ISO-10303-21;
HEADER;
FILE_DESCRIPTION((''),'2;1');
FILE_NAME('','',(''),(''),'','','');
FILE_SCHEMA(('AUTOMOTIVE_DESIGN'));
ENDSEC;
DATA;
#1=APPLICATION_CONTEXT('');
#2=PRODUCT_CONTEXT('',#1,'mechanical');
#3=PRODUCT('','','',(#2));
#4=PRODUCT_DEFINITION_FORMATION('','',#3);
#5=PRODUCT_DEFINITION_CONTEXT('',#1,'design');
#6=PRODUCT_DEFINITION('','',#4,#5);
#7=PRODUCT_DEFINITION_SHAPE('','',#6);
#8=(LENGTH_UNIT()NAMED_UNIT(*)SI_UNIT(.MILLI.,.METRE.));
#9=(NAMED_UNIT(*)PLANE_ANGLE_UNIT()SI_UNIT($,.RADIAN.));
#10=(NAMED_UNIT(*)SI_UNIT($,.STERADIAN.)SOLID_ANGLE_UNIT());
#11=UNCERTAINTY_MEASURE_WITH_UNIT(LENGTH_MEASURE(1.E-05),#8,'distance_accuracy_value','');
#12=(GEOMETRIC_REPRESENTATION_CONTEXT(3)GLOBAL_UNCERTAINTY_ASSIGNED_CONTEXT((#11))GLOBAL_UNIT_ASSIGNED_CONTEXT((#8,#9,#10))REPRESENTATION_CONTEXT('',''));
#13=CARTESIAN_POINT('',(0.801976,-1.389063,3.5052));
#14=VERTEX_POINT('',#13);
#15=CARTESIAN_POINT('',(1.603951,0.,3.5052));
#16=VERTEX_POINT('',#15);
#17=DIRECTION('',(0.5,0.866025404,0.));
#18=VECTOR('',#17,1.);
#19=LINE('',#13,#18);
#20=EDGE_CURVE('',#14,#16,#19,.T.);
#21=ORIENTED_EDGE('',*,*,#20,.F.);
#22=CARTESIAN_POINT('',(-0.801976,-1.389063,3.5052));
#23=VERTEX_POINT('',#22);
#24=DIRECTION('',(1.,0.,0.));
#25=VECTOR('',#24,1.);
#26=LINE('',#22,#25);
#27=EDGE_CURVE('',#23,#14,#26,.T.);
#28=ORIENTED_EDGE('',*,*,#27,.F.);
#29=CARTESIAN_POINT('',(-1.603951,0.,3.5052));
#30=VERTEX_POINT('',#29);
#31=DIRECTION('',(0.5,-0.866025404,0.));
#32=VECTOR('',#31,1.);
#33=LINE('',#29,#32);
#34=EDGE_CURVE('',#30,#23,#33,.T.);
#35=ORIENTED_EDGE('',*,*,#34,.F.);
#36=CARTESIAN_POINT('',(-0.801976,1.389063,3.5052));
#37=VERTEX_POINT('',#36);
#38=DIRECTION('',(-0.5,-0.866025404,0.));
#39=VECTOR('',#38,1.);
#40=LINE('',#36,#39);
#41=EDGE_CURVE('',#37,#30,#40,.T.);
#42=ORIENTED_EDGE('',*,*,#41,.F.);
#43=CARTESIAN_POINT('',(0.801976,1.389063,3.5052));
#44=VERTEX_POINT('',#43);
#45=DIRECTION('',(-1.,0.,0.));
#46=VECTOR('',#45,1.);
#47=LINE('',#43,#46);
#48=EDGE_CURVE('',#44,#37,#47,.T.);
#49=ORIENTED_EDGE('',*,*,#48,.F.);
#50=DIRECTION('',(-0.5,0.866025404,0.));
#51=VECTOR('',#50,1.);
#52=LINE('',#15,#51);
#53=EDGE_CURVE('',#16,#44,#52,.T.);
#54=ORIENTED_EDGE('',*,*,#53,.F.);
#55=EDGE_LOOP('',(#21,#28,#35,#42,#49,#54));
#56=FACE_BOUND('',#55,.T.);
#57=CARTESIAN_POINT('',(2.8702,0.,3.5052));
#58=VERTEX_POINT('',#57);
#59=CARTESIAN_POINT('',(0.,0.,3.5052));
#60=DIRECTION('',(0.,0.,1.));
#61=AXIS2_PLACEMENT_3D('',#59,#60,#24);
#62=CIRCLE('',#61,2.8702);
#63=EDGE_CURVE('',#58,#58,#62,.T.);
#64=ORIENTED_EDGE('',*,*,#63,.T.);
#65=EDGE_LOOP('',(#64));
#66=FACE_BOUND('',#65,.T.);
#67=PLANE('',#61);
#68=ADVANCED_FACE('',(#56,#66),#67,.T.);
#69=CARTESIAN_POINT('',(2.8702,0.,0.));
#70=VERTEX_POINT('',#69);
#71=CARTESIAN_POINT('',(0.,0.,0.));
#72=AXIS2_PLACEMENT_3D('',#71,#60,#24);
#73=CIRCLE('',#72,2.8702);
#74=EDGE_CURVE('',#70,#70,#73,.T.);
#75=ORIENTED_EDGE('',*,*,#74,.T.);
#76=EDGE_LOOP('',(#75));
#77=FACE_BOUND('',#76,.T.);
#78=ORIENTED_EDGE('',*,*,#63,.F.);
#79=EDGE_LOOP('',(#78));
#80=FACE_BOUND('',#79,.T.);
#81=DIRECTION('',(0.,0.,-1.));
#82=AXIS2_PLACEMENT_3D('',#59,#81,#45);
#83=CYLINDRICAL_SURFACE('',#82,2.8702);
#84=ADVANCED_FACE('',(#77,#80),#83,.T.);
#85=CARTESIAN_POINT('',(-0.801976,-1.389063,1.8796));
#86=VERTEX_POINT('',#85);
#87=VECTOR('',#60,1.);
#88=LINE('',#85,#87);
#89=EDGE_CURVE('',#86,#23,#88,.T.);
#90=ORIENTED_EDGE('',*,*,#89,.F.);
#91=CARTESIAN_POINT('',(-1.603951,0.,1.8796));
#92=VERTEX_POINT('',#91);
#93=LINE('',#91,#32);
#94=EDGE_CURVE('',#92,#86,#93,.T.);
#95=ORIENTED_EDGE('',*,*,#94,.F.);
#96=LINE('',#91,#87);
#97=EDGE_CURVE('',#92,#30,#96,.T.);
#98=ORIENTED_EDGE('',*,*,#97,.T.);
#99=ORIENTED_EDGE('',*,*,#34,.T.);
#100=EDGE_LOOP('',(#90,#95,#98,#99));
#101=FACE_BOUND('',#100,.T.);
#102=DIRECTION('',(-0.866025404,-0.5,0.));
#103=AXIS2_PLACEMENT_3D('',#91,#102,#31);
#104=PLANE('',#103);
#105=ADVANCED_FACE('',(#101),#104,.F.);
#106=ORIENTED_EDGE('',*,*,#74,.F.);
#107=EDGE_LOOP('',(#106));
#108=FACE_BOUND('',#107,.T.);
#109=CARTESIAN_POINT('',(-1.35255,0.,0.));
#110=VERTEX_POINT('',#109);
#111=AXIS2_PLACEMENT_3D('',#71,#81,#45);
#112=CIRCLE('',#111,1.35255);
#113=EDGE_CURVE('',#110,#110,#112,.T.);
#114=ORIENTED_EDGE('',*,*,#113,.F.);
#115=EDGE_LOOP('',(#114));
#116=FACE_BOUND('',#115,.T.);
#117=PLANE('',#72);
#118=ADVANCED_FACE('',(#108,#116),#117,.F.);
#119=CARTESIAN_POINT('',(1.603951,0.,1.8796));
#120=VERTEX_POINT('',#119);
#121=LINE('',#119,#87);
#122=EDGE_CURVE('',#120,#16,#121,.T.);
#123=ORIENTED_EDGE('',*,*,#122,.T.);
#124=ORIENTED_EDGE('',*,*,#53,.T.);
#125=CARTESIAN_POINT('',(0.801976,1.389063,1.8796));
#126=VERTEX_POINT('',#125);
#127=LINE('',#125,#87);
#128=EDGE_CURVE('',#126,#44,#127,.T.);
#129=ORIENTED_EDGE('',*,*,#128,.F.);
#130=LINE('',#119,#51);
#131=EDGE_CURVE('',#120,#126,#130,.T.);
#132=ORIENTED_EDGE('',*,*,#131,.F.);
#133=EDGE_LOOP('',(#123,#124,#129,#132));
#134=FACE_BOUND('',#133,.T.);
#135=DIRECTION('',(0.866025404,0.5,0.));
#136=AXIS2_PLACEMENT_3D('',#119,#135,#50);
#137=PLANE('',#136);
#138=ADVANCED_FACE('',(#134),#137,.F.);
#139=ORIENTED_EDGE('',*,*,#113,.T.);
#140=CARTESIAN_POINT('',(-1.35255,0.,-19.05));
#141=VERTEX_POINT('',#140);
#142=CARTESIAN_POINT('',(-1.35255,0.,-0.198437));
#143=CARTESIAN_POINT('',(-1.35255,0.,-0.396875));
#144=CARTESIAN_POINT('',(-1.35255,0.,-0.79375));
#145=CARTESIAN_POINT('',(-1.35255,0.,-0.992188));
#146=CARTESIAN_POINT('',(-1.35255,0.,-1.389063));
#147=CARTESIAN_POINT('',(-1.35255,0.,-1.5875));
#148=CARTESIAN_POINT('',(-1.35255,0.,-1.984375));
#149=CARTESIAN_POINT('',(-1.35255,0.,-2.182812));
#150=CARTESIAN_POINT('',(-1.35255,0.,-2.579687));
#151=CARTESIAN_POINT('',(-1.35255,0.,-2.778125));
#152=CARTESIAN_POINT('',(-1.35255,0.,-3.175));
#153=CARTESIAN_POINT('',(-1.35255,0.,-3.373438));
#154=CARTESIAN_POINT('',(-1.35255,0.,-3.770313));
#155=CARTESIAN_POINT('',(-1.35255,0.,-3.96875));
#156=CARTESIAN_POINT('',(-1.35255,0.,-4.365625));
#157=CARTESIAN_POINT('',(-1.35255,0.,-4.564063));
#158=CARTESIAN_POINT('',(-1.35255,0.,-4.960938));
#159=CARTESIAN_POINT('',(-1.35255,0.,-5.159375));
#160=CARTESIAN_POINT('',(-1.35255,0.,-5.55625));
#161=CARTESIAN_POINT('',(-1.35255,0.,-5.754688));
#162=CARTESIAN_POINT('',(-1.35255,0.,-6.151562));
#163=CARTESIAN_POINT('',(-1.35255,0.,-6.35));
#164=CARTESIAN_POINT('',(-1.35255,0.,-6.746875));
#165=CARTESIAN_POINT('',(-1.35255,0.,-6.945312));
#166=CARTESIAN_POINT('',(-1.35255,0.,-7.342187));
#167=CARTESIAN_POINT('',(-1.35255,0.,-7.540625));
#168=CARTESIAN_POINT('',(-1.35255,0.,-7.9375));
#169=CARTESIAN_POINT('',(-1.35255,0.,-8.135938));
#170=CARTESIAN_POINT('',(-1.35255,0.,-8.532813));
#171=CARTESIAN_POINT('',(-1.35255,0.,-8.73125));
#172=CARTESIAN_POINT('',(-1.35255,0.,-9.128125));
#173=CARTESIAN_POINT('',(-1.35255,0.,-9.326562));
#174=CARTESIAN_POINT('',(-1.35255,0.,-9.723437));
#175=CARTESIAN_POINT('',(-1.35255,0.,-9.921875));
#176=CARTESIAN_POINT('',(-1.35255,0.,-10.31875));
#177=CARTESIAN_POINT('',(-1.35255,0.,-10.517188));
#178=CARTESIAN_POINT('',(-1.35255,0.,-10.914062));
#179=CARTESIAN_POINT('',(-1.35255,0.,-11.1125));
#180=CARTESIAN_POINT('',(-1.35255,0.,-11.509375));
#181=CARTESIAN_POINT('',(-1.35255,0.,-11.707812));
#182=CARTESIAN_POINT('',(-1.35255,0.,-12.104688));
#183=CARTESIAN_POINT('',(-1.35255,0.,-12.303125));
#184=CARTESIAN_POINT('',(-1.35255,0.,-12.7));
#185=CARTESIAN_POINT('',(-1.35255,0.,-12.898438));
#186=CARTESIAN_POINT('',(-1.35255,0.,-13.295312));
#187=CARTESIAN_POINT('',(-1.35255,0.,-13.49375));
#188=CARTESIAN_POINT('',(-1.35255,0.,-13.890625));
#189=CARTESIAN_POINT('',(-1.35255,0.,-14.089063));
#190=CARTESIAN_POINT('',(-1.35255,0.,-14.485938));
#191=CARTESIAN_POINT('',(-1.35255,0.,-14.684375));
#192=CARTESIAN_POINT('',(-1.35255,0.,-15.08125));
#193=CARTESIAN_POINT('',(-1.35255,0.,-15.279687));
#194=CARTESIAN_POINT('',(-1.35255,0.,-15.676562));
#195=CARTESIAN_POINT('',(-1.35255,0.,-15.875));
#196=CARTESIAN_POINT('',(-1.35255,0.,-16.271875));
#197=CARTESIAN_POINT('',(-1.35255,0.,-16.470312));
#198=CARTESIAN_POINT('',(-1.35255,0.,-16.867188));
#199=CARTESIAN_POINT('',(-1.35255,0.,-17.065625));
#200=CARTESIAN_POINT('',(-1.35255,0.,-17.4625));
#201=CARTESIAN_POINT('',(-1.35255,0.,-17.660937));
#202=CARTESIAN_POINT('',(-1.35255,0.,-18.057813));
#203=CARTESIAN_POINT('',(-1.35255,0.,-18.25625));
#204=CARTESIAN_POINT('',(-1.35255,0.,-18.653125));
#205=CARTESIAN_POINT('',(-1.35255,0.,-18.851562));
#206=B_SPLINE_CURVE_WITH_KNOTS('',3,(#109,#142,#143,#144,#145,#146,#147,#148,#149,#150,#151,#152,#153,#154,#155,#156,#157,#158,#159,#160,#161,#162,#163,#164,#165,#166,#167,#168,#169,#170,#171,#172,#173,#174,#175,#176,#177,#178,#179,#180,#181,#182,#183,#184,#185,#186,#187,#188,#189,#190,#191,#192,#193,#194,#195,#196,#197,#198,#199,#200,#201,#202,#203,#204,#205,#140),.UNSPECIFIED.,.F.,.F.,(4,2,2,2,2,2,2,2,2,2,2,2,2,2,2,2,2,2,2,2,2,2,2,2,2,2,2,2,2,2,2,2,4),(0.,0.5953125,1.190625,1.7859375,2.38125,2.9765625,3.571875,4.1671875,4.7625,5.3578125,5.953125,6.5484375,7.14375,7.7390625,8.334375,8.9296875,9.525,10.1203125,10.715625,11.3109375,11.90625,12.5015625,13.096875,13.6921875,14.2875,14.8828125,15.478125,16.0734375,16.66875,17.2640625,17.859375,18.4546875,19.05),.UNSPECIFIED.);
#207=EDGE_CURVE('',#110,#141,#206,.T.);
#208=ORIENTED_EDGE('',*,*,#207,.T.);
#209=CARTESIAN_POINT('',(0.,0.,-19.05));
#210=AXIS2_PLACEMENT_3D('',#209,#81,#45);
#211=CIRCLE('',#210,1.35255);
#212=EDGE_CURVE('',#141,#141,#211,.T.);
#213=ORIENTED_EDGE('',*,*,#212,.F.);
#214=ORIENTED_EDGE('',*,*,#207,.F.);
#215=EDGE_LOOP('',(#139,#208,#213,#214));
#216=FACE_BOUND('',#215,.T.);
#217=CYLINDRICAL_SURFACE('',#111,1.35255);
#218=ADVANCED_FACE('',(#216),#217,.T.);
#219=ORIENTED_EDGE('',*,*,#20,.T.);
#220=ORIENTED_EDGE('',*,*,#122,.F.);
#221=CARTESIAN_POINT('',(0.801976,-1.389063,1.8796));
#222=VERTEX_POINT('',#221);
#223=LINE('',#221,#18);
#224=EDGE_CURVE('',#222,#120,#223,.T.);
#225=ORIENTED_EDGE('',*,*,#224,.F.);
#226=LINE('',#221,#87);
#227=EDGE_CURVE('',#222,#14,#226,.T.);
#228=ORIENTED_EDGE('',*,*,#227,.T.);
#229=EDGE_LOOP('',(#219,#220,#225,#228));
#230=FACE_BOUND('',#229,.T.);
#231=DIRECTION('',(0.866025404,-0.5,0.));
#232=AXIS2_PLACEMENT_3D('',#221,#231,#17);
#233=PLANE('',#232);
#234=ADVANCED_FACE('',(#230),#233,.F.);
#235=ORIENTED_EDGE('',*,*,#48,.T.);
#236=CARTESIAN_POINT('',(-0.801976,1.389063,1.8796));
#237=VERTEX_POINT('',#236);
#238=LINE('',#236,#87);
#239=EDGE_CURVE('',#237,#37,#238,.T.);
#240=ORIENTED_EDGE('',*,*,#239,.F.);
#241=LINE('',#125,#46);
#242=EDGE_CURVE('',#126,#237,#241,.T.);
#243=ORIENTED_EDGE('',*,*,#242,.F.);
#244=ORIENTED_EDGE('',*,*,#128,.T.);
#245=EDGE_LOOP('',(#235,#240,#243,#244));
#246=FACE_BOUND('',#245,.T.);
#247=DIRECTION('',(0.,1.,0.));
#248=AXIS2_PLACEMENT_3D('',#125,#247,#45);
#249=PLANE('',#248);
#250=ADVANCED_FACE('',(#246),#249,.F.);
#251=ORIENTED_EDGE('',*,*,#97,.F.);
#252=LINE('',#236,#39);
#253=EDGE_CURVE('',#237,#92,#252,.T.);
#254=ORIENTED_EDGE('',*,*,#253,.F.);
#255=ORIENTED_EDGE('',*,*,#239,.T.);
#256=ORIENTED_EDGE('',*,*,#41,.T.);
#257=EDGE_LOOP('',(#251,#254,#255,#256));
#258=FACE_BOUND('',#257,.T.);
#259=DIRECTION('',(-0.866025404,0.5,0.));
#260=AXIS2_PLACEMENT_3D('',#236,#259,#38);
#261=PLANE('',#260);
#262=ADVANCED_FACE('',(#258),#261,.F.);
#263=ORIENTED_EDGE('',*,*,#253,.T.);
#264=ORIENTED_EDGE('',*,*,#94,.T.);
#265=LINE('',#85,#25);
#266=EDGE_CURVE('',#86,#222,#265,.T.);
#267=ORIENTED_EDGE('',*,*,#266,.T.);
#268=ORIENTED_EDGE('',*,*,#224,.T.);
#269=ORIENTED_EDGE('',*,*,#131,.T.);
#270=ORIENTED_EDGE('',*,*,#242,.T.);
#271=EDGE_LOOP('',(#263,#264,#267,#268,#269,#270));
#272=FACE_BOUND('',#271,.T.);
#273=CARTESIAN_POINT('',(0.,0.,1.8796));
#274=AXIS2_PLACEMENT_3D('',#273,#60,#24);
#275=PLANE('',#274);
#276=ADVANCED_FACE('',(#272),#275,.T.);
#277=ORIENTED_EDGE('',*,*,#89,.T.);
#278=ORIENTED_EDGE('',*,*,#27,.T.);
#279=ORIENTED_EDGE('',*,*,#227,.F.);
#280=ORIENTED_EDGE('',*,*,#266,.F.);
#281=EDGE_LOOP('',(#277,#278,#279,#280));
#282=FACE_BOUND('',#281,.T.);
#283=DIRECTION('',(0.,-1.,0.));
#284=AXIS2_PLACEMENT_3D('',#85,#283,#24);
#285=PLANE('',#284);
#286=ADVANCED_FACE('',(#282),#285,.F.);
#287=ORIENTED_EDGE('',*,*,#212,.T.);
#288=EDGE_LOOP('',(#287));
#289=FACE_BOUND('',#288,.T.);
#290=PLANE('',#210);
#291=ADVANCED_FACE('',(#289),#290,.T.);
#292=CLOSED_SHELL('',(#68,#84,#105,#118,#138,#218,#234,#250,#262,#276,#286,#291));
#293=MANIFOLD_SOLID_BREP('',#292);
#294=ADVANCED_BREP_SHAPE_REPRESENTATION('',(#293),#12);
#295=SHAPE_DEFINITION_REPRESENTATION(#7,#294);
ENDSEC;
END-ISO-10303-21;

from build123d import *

# Parameters (mm, degrees)
SKETCH1_R           = 2.8702
BOSS_EXTRUDE1_DEPTH = 3.5052
SKETCH2_R           = 1.7526
BOSS_EXTRUDE2_DEPTH = 19.05
SKETCH3_OUTSIDE_W   = 12.534
SKETCH3_OUTSIDE_H   = 12.534
SKETCH3_OUTSIDE_R   = 1.35255
CUT_EXTRUDE1_DEPTH  = 19.05
CUT_EXTRUDE2_DEPTH  = 1.6256


with BuildPart() as part:
    # Sketch1 → Boss-Extrude1 (new body)
    with BuildSketch(Plane.XY):
        Circle(SKETCH1_R)
    extrude(amount=BOSS_EXTRUDE1_DEPTH)

    # Sketch2 → Boss-Extrude2 (add)
    with BuildSketch(Plane(origin=(0, 0, 0), x_dir=(-1, 0, 0), z_dir=(0, 0, -1))):
        Circle(SKETCH2_R)
    extrude(amount=BOSS_EXTRUDE2_DEPTH)

    # Sketch3 outside → Cut-Extrude1 (cut)
    with BuildSketch(Plane(origin=(0, 0, -19.05), x_dir=(-1, 0, 0), z_dir=(0, 0, -1))):
        Rectangle(SKETCH3_OUTSIDE_W, SKETCH3_OUTSIDE_H)
        Circle(SKETCH3_OUTSIDE_R, mode=Mode.SUBTRACT)
    extrude(amount=-CUT_EXTRUDE1_DEPTH, mode=Mode.SUBTRACT)

    # Sketch4 → Cut-Extrude2 (cut)
    with BuildSketch(Plane.XY.offset(3.5052)):
        Polygon((0.801975608, 1.3890625), (-0.801975608, 1.3890625), (-1.603951217, 0), (-0.801975608, -1.3890625), (0.801975608, -1.3890625), (1.603951217, 0), align=None)
    extrude(amount=-CUT_EXTRUDE2_DEPTH, mode=Mode.SUBTRACT)


solid = part.part
